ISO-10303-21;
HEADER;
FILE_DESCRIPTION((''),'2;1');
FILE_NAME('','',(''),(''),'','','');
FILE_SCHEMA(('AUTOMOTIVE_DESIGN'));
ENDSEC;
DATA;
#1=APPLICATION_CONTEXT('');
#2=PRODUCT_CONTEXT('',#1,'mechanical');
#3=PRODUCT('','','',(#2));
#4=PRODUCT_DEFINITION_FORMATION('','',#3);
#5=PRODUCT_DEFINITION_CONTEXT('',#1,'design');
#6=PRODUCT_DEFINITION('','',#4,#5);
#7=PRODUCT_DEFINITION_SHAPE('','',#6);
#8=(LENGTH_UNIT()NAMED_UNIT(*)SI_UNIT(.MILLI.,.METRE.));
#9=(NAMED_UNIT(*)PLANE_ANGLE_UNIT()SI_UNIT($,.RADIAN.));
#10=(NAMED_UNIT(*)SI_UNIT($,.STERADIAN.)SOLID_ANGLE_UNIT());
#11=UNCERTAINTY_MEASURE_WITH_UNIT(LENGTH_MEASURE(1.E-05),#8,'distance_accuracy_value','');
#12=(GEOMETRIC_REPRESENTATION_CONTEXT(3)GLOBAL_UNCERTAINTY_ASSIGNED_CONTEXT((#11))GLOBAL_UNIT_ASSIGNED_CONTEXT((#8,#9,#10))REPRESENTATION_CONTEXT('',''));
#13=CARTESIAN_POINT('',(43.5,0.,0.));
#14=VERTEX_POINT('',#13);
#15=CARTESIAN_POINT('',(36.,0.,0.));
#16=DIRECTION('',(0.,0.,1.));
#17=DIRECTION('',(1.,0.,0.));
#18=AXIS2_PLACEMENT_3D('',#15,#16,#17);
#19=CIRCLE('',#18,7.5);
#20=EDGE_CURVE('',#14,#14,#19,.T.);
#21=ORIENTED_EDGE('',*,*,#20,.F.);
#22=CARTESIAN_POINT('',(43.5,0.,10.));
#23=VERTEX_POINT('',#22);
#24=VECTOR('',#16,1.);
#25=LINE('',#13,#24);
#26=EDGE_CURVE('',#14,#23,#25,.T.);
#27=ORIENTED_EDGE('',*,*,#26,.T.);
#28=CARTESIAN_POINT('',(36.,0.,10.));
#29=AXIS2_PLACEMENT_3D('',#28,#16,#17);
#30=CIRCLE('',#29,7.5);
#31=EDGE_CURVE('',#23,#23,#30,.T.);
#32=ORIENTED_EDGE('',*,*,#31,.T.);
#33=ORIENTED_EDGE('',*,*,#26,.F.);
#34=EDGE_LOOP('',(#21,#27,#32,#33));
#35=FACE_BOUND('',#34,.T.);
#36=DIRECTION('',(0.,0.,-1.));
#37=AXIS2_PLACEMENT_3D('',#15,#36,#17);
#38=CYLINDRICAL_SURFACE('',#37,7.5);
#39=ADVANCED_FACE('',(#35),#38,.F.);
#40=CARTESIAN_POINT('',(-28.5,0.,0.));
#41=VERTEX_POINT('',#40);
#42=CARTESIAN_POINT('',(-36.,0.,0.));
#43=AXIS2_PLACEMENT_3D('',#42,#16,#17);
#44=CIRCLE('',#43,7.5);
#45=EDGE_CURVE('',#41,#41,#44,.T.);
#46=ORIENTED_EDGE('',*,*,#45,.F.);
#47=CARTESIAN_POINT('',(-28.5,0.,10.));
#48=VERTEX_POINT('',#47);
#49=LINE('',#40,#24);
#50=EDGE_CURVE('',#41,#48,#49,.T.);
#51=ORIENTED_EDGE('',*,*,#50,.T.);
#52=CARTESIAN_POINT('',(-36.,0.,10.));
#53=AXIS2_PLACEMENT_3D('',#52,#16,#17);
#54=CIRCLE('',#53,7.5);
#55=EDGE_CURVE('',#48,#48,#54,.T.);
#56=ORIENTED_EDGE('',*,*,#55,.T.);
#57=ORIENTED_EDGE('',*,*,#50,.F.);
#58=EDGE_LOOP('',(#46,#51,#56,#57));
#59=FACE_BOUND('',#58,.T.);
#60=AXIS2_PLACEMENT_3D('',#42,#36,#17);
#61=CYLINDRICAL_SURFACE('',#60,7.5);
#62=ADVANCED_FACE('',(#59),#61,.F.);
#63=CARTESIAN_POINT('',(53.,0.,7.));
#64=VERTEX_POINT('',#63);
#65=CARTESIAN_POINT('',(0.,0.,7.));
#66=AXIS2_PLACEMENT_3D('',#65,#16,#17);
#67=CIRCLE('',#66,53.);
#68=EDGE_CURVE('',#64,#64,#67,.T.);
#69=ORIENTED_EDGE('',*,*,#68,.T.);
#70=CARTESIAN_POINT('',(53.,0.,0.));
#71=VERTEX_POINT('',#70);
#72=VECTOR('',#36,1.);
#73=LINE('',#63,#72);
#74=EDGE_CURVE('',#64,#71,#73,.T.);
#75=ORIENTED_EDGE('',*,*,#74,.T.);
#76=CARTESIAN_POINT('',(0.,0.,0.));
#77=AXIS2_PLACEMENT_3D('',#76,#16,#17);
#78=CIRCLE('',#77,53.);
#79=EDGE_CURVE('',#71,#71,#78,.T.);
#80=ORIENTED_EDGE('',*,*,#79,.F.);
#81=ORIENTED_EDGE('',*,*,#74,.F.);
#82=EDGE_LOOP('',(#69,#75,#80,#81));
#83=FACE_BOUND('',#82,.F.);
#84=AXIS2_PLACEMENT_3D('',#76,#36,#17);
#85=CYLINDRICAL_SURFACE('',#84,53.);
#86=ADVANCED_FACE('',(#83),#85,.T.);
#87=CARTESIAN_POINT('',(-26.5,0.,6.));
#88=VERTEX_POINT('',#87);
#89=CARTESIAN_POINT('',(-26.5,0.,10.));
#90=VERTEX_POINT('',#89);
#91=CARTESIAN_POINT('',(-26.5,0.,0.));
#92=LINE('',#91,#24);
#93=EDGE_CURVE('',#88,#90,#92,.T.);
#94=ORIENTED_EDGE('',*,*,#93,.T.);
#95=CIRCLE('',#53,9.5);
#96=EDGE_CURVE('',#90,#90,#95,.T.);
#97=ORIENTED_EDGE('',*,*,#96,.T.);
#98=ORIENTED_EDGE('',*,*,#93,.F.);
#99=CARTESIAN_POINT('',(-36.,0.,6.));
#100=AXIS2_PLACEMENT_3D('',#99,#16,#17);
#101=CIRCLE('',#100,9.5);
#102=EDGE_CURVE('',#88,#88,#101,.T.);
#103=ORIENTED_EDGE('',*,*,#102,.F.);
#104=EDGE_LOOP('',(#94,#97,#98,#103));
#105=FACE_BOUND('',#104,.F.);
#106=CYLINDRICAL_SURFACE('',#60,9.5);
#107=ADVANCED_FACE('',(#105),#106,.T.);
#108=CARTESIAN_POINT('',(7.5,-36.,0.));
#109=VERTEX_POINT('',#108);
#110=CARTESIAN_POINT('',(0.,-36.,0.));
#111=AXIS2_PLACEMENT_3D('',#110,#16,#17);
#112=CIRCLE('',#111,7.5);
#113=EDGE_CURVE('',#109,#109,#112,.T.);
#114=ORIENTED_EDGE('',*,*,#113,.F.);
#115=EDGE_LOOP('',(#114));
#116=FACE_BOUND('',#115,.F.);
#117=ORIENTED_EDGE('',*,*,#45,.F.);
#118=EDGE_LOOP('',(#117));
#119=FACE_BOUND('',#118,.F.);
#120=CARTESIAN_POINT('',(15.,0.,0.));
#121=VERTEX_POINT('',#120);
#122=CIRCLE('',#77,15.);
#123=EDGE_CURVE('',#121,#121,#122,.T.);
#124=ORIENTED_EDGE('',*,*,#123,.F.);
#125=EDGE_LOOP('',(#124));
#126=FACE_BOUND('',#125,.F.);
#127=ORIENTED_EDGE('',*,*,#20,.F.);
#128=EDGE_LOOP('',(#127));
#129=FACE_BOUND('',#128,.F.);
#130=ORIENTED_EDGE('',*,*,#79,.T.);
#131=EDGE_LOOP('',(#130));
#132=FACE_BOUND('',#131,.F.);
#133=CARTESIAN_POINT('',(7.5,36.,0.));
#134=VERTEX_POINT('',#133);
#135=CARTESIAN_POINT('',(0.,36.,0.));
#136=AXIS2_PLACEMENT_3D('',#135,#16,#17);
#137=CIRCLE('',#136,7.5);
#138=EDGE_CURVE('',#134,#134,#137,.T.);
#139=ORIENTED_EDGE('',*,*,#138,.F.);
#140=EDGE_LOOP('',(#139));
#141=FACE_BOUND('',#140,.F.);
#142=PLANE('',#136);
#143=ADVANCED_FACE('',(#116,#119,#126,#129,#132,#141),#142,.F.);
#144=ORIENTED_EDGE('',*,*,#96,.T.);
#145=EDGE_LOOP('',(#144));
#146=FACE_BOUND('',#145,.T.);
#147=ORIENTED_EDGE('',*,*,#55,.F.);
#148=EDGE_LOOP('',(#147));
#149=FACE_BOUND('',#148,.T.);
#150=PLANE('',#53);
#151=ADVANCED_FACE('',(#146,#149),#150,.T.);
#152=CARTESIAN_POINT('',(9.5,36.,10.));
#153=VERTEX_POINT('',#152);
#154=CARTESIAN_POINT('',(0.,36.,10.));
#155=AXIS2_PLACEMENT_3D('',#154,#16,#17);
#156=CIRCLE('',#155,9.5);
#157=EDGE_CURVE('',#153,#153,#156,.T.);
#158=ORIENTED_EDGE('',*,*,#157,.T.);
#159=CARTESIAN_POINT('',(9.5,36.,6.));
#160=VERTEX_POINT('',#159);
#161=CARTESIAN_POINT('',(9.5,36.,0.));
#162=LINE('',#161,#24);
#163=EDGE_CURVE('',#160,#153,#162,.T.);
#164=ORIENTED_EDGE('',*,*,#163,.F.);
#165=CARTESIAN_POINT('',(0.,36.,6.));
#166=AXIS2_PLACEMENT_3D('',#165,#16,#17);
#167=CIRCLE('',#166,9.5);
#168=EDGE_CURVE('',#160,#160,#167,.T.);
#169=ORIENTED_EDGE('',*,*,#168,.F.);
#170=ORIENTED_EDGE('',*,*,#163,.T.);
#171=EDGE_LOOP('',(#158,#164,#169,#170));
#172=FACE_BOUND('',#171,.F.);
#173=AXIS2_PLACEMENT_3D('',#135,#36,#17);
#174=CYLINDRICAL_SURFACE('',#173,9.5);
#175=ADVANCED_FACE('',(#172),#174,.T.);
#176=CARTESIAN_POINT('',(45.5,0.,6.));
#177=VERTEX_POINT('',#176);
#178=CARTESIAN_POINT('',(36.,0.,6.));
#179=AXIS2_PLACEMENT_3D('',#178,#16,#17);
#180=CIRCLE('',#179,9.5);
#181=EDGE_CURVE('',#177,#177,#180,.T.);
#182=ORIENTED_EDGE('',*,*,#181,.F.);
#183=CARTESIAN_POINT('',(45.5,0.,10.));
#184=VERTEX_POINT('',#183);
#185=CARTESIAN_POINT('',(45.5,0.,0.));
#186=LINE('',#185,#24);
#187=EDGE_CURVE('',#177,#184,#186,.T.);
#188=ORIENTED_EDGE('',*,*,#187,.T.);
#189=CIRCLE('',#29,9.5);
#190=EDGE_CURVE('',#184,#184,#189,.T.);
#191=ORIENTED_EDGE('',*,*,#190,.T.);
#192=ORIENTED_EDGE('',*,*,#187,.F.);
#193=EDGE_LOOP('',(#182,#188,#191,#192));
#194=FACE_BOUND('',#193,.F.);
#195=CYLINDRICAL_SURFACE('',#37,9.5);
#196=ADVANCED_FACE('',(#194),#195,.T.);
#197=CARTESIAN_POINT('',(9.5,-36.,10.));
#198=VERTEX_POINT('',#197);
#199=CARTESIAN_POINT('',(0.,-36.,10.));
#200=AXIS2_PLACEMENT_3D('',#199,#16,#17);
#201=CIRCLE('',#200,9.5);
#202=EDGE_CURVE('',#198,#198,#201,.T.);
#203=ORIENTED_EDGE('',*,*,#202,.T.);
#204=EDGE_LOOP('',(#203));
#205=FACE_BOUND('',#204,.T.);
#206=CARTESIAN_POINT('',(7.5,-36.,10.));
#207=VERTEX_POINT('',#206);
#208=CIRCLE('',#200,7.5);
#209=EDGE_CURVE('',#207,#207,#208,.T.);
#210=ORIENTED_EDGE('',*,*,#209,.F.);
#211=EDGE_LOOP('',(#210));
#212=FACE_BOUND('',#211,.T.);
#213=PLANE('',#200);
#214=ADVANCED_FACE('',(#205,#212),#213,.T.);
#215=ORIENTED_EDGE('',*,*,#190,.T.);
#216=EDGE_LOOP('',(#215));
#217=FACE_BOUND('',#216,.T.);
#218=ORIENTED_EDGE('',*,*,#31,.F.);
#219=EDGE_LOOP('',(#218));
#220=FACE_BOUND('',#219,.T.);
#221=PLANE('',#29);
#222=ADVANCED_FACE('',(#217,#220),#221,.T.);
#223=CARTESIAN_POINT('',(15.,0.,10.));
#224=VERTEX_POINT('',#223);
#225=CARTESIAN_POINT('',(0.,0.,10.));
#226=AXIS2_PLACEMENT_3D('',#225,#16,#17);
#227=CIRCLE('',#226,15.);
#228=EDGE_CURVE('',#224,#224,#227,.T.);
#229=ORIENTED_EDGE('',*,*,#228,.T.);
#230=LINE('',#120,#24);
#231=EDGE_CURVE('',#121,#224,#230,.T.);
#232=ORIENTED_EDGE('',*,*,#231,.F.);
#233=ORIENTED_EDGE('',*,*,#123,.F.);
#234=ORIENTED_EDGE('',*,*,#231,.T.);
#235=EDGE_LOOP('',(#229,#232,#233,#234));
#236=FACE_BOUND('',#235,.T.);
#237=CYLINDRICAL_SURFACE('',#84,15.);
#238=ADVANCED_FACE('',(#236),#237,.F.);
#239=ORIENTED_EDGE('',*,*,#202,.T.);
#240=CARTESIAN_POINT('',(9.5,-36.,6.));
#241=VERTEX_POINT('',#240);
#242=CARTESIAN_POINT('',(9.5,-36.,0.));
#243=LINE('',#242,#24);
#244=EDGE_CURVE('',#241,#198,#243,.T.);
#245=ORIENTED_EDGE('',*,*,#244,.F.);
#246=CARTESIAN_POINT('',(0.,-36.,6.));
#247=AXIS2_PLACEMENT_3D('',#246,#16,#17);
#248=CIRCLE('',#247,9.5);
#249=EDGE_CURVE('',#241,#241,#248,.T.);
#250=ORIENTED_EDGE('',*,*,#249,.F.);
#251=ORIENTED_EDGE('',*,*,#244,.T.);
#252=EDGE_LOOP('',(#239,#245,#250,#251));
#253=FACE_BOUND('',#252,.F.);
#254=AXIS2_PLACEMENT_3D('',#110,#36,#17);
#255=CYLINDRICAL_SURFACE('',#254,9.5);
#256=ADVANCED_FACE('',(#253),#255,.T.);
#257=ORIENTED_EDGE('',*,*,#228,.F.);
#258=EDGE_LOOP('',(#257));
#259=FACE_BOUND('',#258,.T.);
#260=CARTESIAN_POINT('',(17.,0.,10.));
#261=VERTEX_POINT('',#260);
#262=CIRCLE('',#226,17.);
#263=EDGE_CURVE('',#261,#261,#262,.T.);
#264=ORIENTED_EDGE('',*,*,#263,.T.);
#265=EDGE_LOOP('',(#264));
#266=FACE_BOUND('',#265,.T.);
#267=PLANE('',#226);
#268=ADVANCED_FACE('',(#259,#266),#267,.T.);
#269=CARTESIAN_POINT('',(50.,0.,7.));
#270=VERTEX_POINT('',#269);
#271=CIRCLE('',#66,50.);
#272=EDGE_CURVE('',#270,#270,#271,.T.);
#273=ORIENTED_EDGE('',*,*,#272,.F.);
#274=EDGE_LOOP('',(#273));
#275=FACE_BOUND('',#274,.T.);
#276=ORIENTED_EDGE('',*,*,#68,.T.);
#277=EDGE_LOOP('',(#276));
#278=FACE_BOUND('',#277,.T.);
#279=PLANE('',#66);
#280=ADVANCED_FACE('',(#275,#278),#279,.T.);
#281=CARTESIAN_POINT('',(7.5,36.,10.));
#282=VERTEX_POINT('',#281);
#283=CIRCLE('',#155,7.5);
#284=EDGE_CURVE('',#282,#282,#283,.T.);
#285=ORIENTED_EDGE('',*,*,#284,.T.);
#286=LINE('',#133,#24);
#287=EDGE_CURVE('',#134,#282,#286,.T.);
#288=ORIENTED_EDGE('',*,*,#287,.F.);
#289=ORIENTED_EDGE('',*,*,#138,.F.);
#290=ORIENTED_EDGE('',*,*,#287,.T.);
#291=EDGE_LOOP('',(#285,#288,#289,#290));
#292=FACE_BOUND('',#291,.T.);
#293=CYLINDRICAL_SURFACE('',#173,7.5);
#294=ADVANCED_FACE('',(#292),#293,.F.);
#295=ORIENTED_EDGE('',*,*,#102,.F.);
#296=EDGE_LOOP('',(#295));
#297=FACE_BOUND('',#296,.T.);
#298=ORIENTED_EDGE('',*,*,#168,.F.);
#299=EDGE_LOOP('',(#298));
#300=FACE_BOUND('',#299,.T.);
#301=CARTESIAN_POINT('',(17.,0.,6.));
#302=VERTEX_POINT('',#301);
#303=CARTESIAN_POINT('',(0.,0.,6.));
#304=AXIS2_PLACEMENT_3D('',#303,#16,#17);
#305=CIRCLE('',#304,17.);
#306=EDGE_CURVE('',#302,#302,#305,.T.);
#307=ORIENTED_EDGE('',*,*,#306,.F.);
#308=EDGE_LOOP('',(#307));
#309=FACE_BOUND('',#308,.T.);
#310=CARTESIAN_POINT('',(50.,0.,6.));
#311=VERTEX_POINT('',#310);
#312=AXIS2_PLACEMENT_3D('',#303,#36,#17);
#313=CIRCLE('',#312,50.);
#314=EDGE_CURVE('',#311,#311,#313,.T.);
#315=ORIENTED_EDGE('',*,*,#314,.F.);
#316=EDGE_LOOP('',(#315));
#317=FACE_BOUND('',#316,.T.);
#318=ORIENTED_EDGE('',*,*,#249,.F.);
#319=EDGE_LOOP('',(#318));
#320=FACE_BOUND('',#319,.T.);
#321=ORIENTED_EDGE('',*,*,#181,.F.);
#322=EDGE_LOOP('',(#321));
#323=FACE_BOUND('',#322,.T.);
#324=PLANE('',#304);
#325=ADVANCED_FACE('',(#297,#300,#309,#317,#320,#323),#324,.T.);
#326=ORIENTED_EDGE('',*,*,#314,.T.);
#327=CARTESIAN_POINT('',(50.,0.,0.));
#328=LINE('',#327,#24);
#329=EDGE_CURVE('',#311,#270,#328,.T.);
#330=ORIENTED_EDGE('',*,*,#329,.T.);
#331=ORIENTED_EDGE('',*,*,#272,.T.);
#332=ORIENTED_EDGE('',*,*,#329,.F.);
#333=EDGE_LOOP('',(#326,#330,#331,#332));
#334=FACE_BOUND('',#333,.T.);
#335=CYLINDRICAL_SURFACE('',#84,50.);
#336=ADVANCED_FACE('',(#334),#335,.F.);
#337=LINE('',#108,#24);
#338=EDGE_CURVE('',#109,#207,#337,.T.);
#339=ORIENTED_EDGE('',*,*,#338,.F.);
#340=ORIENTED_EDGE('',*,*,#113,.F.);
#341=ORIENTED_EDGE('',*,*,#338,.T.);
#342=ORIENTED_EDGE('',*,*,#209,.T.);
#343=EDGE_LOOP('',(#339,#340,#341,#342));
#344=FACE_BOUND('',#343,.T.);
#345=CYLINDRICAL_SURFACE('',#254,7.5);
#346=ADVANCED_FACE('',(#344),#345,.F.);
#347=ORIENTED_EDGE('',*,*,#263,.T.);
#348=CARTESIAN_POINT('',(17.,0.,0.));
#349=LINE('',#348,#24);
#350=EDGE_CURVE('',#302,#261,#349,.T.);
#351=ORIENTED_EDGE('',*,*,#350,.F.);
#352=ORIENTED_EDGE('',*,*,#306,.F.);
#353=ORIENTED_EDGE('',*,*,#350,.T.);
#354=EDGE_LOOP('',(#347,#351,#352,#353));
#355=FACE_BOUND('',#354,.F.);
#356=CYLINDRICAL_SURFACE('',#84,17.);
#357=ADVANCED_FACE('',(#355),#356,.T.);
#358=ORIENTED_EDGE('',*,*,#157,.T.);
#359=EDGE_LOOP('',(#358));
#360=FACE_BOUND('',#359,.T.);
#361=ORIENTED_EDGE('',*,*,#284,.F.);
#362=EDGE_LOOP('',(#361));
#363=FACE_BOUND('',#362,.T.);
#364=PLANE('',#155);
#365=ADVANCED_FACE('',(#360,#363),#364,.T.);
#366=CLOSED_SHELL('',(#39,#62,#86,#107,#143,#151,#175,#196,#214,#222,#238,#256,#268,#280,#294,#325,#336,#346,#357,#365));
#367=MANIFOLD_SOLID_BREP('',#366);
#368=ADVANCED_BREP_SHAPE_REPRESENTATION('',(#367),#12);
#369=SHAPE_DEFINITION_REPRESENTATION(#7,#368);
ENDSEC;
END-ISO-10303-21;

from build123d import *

# Parameters (mm, degrees)
F0_R     = 53
F0_R_2   = 50
F1_DEPTH = 7
F0_R_3   = 9.5
F0_R_4   = 17
F2_DEPTH = 6
F0_R_5   = 7.5
F0_R_6   = 15
F3_DEPTH = 10


with BuildPart() as f1:
    # F0 (on Top) → F1 (new body)
    with BuildSketch(Plane.XY):
        Circle(F0_R)
        Circle(F0_R_2, mode=Mode.SUBTRACT)
    extrude(amount=F1_DEPTH)

    # F0 (on Top) → F2 (join)
    with BuildSketch(Plane.XY):
        Circle(F0_R)
        Circle(F0_R_2, mode=Mode.SUBTRACT)
        Circle(F0_R_2)
        with Locations((0, -36)):
            Circle(F0_R_3, mode=Mode.SUBTRACT)
        with Locations((-36, 0)):
            Circle(F0_R_3, mode=Mode.SUBTRACT)
        Circle(F0_R_4, mode=Mode.SUBTRACT)
        with Locations((36, 0)):
            Circle(F0_R_3, mode=Mode.SUBTRACT)
        with Locations((0, 36)):
            Circle(F0_R_3, mode=Mode.SUBTRACT)
    extrude(amount=F2_DEPTH)

    # F0 (on Top) → F3 (join)
    with BuildSketch(Plane.XY):
        with Locations((0, 36)):
            Circle(F0_R_3)
        with Locations((0, 36)):
            Circle(F0_R_5, mode=Mode.SUBTRACT)
        with Locations((36, 0)):
            Circle(F0_R_3)
        with Locations((36, 0)):
            Circle(F0_R_5, mode=Mode.SUBTRACT)
        with Locations((-36, 0)):
            Circle(F0_R_3)
        with Locations((-36, 0)):
            Circle(F0_R_5, mode=Mode.SUBTRACT)
        with Locations((0, -36)):
            Circle(F0_R_3)
        with Locations((0, -36)):
            Circle(F0_R_5, mode=Mode.SUBTRACT)
        Circle(F0_R_4)
        Circle(F0_R_6, mode=Mode.SUBTRACT)
    extrude(amount=F3_DEPTH)


solid = f1.part
